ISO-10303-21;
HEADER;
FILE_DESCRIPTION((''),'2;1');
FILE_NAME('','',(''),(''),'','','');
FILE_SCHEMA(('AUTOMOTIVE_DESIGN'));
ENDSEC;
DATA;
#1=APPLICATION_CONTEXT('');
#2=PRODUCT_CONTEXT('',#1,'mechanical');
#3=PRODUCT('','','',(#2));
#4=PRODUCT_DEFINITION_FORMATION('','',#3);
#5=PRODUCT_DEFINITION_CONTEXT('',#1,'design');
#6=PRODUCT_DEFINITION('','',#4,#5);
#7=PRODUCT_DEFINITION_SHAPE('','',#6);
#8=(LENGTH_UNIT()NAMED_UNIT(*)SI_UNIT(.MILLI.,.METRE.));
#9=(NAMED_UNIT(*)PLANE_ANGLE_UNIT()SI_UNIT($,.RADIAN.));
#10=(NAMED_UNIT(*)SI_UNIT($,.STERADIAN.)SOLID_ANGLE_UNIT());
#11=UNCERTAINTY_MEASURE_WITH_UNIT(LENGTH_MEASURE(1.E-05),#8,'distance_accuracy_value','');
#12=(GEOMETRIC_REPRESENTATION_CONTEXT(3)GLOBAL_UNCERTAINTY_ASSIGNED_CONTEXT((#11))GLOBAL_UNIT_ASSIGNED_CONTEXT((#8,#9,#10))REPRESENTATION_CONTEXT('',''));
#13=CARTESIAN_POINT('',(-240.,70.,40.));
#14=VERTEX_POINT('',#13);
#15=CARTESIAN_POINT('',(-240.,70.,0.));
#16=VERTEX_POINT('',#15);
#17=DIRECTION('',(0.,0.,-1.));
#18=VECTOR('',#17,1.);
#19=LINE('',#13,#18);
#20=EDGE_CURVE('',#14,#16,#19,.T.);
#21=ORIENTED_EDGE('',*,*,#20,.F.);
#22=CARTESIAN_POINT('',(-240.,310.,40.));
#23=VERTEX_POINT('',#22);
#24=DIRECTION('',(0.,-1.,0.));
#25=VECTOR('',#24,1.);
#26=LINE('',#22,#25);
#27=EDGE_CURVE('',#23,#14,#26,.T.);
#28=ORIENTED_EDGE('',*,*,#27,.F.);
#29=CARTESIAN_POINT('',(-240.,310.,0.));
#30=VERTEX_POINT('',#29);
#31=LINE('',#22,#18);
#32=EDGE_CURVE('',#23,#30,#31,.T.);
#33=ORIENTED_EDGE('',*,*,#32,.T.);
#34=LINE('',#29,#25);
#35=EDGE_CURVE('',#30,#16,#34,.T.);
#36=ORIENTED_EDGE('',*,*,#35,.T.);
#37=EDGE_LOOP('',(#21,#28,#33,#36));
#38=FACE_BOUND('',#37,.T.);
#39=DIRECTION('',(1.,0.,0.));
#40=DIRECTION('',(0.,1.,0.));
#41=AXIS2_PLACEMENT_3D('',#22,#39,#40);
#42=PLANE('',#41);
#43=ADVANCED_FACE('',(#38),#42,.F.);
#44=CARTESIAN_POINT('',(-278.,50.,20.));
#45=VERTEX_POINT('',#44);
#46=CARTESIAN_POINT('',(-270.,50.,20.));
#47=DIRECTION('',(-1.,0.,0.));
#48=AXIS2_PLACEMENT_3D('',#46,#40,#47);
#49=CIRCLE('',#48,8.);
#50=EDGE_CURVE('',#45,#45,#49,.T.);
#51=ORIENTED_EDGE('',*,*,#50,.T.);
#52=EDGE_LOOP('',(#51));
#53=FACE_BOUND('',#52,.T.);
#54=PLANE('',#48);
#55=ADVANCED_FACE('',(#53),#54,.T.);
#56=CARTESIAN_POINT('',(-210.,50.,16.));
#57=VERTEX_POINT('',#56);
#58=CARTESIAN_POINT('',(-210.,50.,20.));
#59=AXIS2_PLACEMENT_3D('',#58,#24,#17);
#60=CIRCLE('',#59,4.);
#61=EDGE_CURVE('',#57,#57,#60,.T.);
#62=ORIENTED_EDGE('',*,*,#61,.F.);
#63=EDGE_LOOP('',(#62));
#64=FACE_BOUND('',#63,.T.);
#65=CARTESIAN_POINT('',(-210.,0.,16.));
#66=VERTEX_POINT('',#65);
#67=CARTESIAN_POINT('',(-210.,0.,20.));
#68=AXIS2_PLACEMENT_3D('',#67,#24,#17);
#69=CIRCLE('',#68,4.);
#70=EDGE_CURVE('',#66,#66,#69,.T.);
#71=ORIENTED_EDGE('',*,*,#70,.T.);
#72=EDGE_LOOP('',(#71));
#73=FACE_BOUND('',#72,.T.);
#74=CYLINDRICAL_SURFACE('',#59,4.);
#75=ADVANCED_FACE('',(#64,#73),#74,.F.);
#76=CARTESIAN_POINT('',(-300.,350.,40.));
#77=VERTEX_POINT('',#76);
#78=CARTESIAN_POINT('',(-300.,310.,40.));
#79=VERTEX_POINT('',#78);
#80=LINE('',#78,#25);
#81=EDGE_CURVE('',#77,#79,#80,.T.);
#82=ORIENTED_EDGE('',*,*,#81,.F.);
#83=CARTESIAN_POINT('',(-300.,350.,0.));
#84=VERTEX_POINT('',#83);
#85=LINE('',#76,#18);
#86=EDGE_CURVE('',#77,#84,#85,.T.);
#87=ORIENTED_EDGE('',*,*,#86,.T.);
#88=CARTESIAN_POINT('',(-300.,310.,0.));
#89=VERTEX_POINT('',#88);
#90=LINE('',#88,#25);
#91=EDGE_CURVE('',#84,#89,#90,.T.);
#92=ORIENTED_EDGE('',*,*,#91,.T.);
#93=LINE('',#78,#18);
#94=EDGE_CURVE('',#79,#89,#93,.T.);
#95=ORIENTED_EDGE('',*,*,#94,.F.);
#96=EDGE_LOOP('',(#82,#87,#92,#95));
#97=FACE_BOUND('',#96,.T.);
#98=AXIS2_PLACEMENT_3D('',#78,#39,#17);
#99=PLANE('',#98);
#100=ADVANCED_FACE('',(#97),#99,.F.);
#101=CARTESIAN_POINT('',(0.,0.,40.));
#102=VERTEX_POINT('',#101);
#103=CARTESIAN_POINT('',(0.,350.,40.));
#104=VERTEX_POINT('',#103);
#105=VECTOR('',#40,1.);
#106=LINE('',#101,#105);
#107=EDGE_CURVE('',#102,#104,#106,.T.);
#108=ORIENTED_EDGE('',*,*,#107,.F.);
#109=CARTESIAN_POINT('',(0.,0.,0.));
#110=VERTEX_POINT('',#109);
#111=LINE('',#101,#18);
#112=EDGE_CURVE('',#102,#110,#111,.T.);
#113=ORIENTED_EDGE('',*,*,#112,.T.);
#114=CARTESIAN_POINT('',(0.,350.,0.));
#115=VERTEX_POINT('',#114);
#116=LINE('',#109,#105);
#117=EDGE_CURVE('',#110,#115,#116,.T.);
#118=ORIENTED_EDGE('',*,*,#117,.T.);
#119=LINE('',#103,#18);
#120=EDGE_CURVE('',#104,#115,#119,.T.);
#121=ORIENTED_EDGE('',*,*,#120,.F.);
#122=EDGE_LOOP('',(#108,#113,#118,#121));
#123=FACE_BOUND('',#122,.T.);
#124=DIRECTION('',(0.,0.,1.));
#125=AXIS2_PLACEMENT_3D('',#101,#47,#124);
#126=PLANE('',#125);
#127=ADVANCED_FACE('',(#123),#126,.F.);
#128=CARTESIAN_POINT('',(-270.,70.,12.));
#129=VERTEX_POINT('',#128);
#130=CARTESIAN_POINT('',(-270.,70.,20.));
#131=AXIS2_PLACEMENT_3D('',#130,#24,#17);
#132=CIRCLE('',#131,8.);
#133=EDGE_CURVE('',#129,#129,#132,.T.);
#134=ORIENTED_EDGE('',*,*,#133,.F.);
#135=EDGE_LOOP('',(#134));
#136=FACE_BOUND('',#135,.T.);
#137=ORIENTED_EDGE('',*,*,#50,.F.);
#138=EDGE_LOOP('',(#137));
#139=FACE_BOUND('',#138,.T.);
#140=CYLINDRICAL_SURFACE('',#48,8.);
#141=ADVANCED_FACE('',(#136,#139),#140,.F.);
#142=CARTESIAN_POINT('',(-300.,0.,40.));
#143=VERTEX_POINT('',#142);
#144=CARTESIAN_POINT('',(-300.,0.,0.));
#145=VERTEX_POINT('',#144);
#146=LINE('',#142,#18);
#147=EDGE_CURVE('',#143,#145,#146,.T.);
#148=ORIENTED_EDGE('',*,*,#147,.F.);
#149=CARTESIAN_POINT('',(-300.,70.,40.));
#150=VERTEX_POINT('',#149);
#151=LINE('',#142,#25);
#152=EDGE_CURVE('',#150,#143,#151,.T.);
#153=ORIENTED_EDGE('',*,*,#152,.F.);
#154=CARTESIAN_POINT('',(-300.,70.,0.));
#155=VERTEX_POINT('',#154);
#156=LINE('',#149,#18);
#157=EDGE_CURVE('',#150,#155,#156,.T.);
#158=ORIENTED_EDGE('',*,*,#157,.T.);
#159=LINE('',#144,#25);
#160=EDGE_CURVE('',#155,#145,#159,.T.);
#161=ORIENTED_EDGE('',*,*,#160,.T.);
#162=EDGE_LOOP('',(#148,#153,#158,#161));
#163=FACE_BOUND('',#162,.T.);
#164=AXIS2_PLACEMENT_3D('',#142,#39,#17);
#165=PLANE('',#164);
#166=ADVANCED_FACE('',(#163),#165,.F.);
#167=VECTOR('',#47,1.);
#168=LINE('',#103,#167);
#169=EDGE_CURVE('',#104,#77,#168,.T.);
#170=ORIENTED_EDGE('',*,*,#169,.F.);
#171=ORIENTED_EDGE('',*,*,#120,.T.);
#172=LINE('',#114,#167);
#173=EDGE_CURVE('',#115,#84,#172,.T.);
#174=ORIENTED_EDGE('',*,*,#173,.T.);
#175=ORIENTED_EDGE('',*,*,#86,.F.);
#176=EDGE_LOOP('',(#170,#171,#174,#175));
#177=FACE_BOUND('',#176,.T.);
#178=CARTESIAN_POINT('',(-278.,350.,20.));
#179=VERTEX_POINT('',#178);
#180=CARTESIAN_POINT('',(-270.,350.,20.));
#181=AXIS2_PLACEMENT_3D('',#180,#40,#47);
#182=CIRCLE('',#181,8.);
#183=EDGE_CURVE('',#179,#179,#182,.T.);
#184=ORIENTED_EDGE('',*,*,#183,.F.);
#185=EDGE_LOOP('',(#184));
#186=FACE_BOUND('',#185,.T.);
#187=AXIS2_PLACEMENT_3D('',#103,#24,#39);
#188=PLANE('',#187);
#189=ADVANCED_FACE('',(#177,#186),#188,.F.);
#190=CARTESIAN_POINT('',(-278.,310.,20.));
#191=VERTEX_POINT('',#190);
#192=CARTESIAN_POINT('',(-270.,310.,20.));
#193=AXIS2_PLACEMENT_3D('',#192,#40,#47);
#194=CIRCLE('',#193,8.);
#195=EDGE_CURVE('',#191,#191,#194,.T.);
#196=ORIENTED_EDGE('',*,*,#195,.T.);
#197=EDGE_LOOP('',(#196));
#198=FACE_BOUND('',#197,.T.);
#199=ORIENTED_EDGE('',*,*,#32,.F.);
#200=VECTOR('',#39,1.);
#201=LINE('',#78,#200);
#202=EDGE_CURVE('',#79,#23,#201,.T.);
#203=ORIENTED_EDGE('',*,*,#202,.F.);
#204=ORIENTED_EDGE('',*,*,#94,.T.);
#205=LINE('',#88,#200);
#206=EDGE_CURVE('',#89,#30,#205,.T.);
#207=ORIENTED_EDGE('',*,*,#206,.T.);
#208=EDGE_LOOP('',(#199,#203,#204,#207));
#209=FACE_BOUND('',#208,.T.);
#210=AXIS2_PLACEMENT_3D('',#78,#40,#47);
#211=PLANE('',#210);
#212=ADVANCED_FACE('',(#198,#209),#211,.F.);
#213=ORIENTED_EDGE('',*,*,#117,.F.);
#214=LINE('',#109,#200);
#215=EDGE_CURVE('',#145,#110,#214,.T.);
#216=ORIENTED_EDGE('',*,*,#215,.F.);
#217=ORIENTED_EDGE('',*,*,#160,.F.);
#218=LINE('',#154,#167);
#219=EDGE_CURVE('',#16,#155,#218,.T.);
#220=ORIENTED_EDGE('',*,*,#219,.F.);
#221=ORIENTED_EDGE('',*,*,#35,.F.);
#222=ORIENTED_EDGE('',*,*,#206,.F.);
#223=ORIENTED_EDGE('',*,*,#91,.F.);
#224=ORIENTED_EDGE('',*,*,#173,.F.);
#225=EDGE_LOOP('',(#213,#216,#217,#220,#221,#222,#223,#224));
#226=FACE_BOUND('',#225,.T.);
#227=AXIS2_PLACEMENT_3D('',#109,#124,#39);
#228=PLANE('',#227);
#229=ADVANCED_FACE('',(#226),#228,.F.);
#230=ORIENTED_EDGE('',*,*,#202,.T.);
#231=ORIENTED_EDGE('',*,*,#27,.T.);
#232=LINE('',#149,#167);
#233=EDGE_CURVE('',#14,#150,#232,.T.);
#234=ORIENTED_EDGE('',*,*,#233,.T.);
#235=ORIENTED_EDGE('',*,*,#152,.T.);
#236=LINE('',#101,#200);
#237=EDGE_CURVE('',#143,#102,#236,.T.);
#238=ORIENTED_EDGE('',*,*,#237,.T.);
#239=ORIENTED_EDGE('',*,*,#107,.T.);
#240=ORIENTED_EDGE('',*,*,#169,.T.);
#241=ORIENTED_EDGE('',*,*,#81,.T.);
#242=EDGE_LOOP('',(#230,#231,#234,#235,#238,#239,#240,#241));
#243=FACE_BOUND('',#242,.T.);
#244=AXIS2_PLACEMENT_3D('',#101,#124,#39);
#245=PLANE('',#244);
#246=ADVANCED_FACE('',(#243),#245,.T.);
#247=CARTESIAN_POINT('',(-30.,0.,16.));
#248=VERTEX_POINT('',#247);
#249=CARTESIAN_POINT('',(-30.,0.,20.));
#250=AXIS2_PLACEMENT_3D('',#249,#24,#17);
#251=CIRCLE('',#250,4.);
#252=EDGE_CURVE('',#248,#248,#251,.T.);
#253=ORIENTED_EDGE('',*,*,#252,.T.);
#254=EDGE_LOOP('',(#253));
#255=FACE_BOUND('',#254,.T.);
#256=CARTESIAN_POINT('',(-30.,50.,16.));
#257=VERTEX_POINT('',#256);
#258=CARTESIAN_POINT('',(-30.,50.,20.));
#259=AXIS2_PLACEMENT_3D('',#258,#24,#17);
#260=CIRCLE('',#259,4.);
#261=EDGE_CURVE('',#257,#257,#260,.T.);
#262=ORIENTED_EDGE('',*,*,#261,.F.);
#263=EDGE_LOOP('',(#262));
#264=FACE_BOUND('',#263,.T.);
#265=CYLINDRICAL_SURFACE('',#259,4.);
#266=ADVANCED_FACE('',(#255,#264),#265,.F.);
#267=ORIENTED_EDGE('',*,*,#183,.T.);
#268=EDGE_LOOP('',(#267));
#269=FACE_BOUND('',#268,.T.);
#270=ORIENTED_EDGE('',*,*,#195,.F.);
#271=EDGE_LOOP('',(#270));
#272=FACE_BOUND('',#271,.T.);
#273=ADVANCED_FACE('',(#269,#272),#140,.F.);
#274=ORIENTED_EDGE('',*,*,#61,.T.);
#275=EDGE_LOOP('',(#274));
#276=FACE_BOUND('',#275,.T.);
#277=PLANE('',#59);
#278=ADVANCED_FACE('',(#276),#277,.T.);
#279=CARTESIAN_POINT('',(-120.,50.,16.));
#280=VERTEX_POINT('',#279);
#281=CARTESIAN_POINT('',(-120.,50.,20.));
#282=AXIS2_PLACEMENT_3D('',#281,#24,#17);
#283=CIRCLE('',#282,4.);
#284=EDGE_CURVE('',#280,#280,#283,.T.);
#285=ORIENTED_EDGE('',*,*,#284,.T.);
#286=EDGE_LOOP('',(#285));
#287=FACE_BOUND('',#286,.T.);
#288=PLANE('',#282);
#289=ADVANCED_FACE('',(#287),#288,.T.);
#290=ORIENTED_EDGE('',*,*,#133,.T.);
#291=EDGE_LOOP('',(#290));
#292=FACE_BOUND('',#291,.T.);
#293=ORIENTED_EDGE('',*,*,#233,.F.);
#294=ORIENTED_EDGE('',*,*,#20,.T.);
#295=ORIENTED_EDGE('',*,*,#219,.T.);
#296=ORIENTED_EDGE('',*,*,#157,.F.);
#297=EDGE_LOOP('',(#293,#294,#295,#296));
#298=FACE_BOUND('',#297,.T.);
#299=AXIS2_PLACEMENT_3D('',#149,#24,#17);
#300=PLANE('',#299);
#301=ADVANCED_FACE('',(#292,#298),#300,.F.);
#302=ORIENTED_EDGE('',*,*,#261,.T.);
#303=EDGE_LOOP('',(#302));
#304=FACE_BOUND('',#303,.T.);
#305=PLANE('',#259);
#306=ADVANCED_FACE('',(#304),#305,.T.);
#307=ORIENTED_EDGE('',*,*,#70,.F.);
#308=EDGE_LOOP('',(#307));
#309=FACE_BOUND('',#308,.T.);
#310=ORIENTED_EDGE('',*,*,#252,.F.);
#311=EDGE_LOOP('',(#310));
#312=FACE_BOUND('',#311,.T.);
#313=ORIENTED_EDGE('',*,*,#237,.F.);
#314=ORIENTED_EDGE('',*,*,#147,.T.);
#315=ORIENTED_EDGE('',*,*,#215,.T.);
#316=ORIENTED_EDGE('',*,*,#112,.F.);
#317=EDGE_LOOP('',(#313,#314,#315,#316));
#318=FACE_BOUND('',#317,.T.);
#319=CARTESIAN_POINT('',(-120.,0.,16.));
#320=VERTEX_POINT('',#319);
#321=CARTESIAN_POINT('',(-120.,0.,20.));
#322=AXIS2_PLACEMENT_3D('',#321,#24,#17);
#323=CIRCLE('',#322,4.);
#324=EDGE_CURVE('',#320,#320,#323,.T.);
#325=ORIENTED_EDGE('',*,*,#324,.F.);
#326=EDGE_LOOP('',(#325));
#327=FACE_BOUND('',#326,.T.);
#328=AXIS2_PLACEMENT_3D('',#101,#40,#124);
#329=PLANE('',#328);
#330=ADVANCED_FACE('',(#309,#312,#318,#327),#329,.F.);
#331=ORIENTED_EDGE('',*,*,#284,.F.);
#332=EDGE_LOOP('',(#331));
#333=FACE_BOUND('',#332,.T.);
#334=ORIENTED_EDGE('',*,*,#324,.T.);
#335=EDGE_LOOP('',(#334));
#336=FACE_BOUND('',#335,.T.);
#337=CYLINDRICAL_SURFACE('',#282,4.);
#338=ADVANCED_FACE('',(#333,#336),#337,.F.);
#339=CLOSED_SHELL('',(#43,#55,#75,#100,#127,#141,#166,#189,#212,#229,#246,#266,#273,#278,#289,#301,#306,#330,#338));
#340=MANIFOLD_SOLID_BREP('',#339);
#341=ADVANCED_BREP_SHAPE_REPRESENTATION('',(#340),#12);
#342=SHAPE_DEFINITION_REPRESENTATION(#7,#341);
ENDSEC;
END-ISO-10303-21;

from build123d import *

# Parameters (mm, degrees)
EXTRUDE_1_DEPTH     = 40
SKETCH_2_R          = 8
CUT_EXTRUDE_1_DEPTH = 300
SKETCH_3_R          = 4
CUT_EXTRUDE_2_DEPTH = 50


with BuildPart() as part:
    # Эскиз1 → Бобышка-Вытянуть1 (new body)
    with BuildSketch(Plane.XY):
        Polygon((-300, 310), (-300, 350), (0, 350), (0, 0), (-300, 0), (-300, 70), (-240, 70), (-240, 310), align=None)
    extrude(amount=EXTRUDE_1_DEPTH)

    # Эскиз2 → Вырез-Вытянуть1 (cut)
    with BuildSketch(Plane(origin=(0, 350, 0), x_dir=(1, 0, 0), z_dir=(0, 1, 0))):
        with Locations(Location((-270, -20, 0), (0, 0, 180))):
            Circle(SKETCH_2_R)
    extrude(amount=-CUT_EXTRUDE_1_DEPTH, mode=Mode.SUBTRACT)

    # Эскиз3 → Вырез-Вытянуть2 (cut)
    with BuildSketch(Plane.XZ):
        with Locations(Location((-30, 20, 0), (0, 0, 270))):
            Circle(SKETCH_3_R)
        with Locations(Location((-120, 20, 0), (0, 0, 270))):
            Circle(SKETCH_3_R)
        with Locations(Location((-210, 20, 0), (0, 0, 270))):
            Circle(SKETCH_3_R)
    extrude(amount=-CUT_EXTRUDE_2_DEPTH, mode=Mode.SUBTRACT)


solid = part.part
